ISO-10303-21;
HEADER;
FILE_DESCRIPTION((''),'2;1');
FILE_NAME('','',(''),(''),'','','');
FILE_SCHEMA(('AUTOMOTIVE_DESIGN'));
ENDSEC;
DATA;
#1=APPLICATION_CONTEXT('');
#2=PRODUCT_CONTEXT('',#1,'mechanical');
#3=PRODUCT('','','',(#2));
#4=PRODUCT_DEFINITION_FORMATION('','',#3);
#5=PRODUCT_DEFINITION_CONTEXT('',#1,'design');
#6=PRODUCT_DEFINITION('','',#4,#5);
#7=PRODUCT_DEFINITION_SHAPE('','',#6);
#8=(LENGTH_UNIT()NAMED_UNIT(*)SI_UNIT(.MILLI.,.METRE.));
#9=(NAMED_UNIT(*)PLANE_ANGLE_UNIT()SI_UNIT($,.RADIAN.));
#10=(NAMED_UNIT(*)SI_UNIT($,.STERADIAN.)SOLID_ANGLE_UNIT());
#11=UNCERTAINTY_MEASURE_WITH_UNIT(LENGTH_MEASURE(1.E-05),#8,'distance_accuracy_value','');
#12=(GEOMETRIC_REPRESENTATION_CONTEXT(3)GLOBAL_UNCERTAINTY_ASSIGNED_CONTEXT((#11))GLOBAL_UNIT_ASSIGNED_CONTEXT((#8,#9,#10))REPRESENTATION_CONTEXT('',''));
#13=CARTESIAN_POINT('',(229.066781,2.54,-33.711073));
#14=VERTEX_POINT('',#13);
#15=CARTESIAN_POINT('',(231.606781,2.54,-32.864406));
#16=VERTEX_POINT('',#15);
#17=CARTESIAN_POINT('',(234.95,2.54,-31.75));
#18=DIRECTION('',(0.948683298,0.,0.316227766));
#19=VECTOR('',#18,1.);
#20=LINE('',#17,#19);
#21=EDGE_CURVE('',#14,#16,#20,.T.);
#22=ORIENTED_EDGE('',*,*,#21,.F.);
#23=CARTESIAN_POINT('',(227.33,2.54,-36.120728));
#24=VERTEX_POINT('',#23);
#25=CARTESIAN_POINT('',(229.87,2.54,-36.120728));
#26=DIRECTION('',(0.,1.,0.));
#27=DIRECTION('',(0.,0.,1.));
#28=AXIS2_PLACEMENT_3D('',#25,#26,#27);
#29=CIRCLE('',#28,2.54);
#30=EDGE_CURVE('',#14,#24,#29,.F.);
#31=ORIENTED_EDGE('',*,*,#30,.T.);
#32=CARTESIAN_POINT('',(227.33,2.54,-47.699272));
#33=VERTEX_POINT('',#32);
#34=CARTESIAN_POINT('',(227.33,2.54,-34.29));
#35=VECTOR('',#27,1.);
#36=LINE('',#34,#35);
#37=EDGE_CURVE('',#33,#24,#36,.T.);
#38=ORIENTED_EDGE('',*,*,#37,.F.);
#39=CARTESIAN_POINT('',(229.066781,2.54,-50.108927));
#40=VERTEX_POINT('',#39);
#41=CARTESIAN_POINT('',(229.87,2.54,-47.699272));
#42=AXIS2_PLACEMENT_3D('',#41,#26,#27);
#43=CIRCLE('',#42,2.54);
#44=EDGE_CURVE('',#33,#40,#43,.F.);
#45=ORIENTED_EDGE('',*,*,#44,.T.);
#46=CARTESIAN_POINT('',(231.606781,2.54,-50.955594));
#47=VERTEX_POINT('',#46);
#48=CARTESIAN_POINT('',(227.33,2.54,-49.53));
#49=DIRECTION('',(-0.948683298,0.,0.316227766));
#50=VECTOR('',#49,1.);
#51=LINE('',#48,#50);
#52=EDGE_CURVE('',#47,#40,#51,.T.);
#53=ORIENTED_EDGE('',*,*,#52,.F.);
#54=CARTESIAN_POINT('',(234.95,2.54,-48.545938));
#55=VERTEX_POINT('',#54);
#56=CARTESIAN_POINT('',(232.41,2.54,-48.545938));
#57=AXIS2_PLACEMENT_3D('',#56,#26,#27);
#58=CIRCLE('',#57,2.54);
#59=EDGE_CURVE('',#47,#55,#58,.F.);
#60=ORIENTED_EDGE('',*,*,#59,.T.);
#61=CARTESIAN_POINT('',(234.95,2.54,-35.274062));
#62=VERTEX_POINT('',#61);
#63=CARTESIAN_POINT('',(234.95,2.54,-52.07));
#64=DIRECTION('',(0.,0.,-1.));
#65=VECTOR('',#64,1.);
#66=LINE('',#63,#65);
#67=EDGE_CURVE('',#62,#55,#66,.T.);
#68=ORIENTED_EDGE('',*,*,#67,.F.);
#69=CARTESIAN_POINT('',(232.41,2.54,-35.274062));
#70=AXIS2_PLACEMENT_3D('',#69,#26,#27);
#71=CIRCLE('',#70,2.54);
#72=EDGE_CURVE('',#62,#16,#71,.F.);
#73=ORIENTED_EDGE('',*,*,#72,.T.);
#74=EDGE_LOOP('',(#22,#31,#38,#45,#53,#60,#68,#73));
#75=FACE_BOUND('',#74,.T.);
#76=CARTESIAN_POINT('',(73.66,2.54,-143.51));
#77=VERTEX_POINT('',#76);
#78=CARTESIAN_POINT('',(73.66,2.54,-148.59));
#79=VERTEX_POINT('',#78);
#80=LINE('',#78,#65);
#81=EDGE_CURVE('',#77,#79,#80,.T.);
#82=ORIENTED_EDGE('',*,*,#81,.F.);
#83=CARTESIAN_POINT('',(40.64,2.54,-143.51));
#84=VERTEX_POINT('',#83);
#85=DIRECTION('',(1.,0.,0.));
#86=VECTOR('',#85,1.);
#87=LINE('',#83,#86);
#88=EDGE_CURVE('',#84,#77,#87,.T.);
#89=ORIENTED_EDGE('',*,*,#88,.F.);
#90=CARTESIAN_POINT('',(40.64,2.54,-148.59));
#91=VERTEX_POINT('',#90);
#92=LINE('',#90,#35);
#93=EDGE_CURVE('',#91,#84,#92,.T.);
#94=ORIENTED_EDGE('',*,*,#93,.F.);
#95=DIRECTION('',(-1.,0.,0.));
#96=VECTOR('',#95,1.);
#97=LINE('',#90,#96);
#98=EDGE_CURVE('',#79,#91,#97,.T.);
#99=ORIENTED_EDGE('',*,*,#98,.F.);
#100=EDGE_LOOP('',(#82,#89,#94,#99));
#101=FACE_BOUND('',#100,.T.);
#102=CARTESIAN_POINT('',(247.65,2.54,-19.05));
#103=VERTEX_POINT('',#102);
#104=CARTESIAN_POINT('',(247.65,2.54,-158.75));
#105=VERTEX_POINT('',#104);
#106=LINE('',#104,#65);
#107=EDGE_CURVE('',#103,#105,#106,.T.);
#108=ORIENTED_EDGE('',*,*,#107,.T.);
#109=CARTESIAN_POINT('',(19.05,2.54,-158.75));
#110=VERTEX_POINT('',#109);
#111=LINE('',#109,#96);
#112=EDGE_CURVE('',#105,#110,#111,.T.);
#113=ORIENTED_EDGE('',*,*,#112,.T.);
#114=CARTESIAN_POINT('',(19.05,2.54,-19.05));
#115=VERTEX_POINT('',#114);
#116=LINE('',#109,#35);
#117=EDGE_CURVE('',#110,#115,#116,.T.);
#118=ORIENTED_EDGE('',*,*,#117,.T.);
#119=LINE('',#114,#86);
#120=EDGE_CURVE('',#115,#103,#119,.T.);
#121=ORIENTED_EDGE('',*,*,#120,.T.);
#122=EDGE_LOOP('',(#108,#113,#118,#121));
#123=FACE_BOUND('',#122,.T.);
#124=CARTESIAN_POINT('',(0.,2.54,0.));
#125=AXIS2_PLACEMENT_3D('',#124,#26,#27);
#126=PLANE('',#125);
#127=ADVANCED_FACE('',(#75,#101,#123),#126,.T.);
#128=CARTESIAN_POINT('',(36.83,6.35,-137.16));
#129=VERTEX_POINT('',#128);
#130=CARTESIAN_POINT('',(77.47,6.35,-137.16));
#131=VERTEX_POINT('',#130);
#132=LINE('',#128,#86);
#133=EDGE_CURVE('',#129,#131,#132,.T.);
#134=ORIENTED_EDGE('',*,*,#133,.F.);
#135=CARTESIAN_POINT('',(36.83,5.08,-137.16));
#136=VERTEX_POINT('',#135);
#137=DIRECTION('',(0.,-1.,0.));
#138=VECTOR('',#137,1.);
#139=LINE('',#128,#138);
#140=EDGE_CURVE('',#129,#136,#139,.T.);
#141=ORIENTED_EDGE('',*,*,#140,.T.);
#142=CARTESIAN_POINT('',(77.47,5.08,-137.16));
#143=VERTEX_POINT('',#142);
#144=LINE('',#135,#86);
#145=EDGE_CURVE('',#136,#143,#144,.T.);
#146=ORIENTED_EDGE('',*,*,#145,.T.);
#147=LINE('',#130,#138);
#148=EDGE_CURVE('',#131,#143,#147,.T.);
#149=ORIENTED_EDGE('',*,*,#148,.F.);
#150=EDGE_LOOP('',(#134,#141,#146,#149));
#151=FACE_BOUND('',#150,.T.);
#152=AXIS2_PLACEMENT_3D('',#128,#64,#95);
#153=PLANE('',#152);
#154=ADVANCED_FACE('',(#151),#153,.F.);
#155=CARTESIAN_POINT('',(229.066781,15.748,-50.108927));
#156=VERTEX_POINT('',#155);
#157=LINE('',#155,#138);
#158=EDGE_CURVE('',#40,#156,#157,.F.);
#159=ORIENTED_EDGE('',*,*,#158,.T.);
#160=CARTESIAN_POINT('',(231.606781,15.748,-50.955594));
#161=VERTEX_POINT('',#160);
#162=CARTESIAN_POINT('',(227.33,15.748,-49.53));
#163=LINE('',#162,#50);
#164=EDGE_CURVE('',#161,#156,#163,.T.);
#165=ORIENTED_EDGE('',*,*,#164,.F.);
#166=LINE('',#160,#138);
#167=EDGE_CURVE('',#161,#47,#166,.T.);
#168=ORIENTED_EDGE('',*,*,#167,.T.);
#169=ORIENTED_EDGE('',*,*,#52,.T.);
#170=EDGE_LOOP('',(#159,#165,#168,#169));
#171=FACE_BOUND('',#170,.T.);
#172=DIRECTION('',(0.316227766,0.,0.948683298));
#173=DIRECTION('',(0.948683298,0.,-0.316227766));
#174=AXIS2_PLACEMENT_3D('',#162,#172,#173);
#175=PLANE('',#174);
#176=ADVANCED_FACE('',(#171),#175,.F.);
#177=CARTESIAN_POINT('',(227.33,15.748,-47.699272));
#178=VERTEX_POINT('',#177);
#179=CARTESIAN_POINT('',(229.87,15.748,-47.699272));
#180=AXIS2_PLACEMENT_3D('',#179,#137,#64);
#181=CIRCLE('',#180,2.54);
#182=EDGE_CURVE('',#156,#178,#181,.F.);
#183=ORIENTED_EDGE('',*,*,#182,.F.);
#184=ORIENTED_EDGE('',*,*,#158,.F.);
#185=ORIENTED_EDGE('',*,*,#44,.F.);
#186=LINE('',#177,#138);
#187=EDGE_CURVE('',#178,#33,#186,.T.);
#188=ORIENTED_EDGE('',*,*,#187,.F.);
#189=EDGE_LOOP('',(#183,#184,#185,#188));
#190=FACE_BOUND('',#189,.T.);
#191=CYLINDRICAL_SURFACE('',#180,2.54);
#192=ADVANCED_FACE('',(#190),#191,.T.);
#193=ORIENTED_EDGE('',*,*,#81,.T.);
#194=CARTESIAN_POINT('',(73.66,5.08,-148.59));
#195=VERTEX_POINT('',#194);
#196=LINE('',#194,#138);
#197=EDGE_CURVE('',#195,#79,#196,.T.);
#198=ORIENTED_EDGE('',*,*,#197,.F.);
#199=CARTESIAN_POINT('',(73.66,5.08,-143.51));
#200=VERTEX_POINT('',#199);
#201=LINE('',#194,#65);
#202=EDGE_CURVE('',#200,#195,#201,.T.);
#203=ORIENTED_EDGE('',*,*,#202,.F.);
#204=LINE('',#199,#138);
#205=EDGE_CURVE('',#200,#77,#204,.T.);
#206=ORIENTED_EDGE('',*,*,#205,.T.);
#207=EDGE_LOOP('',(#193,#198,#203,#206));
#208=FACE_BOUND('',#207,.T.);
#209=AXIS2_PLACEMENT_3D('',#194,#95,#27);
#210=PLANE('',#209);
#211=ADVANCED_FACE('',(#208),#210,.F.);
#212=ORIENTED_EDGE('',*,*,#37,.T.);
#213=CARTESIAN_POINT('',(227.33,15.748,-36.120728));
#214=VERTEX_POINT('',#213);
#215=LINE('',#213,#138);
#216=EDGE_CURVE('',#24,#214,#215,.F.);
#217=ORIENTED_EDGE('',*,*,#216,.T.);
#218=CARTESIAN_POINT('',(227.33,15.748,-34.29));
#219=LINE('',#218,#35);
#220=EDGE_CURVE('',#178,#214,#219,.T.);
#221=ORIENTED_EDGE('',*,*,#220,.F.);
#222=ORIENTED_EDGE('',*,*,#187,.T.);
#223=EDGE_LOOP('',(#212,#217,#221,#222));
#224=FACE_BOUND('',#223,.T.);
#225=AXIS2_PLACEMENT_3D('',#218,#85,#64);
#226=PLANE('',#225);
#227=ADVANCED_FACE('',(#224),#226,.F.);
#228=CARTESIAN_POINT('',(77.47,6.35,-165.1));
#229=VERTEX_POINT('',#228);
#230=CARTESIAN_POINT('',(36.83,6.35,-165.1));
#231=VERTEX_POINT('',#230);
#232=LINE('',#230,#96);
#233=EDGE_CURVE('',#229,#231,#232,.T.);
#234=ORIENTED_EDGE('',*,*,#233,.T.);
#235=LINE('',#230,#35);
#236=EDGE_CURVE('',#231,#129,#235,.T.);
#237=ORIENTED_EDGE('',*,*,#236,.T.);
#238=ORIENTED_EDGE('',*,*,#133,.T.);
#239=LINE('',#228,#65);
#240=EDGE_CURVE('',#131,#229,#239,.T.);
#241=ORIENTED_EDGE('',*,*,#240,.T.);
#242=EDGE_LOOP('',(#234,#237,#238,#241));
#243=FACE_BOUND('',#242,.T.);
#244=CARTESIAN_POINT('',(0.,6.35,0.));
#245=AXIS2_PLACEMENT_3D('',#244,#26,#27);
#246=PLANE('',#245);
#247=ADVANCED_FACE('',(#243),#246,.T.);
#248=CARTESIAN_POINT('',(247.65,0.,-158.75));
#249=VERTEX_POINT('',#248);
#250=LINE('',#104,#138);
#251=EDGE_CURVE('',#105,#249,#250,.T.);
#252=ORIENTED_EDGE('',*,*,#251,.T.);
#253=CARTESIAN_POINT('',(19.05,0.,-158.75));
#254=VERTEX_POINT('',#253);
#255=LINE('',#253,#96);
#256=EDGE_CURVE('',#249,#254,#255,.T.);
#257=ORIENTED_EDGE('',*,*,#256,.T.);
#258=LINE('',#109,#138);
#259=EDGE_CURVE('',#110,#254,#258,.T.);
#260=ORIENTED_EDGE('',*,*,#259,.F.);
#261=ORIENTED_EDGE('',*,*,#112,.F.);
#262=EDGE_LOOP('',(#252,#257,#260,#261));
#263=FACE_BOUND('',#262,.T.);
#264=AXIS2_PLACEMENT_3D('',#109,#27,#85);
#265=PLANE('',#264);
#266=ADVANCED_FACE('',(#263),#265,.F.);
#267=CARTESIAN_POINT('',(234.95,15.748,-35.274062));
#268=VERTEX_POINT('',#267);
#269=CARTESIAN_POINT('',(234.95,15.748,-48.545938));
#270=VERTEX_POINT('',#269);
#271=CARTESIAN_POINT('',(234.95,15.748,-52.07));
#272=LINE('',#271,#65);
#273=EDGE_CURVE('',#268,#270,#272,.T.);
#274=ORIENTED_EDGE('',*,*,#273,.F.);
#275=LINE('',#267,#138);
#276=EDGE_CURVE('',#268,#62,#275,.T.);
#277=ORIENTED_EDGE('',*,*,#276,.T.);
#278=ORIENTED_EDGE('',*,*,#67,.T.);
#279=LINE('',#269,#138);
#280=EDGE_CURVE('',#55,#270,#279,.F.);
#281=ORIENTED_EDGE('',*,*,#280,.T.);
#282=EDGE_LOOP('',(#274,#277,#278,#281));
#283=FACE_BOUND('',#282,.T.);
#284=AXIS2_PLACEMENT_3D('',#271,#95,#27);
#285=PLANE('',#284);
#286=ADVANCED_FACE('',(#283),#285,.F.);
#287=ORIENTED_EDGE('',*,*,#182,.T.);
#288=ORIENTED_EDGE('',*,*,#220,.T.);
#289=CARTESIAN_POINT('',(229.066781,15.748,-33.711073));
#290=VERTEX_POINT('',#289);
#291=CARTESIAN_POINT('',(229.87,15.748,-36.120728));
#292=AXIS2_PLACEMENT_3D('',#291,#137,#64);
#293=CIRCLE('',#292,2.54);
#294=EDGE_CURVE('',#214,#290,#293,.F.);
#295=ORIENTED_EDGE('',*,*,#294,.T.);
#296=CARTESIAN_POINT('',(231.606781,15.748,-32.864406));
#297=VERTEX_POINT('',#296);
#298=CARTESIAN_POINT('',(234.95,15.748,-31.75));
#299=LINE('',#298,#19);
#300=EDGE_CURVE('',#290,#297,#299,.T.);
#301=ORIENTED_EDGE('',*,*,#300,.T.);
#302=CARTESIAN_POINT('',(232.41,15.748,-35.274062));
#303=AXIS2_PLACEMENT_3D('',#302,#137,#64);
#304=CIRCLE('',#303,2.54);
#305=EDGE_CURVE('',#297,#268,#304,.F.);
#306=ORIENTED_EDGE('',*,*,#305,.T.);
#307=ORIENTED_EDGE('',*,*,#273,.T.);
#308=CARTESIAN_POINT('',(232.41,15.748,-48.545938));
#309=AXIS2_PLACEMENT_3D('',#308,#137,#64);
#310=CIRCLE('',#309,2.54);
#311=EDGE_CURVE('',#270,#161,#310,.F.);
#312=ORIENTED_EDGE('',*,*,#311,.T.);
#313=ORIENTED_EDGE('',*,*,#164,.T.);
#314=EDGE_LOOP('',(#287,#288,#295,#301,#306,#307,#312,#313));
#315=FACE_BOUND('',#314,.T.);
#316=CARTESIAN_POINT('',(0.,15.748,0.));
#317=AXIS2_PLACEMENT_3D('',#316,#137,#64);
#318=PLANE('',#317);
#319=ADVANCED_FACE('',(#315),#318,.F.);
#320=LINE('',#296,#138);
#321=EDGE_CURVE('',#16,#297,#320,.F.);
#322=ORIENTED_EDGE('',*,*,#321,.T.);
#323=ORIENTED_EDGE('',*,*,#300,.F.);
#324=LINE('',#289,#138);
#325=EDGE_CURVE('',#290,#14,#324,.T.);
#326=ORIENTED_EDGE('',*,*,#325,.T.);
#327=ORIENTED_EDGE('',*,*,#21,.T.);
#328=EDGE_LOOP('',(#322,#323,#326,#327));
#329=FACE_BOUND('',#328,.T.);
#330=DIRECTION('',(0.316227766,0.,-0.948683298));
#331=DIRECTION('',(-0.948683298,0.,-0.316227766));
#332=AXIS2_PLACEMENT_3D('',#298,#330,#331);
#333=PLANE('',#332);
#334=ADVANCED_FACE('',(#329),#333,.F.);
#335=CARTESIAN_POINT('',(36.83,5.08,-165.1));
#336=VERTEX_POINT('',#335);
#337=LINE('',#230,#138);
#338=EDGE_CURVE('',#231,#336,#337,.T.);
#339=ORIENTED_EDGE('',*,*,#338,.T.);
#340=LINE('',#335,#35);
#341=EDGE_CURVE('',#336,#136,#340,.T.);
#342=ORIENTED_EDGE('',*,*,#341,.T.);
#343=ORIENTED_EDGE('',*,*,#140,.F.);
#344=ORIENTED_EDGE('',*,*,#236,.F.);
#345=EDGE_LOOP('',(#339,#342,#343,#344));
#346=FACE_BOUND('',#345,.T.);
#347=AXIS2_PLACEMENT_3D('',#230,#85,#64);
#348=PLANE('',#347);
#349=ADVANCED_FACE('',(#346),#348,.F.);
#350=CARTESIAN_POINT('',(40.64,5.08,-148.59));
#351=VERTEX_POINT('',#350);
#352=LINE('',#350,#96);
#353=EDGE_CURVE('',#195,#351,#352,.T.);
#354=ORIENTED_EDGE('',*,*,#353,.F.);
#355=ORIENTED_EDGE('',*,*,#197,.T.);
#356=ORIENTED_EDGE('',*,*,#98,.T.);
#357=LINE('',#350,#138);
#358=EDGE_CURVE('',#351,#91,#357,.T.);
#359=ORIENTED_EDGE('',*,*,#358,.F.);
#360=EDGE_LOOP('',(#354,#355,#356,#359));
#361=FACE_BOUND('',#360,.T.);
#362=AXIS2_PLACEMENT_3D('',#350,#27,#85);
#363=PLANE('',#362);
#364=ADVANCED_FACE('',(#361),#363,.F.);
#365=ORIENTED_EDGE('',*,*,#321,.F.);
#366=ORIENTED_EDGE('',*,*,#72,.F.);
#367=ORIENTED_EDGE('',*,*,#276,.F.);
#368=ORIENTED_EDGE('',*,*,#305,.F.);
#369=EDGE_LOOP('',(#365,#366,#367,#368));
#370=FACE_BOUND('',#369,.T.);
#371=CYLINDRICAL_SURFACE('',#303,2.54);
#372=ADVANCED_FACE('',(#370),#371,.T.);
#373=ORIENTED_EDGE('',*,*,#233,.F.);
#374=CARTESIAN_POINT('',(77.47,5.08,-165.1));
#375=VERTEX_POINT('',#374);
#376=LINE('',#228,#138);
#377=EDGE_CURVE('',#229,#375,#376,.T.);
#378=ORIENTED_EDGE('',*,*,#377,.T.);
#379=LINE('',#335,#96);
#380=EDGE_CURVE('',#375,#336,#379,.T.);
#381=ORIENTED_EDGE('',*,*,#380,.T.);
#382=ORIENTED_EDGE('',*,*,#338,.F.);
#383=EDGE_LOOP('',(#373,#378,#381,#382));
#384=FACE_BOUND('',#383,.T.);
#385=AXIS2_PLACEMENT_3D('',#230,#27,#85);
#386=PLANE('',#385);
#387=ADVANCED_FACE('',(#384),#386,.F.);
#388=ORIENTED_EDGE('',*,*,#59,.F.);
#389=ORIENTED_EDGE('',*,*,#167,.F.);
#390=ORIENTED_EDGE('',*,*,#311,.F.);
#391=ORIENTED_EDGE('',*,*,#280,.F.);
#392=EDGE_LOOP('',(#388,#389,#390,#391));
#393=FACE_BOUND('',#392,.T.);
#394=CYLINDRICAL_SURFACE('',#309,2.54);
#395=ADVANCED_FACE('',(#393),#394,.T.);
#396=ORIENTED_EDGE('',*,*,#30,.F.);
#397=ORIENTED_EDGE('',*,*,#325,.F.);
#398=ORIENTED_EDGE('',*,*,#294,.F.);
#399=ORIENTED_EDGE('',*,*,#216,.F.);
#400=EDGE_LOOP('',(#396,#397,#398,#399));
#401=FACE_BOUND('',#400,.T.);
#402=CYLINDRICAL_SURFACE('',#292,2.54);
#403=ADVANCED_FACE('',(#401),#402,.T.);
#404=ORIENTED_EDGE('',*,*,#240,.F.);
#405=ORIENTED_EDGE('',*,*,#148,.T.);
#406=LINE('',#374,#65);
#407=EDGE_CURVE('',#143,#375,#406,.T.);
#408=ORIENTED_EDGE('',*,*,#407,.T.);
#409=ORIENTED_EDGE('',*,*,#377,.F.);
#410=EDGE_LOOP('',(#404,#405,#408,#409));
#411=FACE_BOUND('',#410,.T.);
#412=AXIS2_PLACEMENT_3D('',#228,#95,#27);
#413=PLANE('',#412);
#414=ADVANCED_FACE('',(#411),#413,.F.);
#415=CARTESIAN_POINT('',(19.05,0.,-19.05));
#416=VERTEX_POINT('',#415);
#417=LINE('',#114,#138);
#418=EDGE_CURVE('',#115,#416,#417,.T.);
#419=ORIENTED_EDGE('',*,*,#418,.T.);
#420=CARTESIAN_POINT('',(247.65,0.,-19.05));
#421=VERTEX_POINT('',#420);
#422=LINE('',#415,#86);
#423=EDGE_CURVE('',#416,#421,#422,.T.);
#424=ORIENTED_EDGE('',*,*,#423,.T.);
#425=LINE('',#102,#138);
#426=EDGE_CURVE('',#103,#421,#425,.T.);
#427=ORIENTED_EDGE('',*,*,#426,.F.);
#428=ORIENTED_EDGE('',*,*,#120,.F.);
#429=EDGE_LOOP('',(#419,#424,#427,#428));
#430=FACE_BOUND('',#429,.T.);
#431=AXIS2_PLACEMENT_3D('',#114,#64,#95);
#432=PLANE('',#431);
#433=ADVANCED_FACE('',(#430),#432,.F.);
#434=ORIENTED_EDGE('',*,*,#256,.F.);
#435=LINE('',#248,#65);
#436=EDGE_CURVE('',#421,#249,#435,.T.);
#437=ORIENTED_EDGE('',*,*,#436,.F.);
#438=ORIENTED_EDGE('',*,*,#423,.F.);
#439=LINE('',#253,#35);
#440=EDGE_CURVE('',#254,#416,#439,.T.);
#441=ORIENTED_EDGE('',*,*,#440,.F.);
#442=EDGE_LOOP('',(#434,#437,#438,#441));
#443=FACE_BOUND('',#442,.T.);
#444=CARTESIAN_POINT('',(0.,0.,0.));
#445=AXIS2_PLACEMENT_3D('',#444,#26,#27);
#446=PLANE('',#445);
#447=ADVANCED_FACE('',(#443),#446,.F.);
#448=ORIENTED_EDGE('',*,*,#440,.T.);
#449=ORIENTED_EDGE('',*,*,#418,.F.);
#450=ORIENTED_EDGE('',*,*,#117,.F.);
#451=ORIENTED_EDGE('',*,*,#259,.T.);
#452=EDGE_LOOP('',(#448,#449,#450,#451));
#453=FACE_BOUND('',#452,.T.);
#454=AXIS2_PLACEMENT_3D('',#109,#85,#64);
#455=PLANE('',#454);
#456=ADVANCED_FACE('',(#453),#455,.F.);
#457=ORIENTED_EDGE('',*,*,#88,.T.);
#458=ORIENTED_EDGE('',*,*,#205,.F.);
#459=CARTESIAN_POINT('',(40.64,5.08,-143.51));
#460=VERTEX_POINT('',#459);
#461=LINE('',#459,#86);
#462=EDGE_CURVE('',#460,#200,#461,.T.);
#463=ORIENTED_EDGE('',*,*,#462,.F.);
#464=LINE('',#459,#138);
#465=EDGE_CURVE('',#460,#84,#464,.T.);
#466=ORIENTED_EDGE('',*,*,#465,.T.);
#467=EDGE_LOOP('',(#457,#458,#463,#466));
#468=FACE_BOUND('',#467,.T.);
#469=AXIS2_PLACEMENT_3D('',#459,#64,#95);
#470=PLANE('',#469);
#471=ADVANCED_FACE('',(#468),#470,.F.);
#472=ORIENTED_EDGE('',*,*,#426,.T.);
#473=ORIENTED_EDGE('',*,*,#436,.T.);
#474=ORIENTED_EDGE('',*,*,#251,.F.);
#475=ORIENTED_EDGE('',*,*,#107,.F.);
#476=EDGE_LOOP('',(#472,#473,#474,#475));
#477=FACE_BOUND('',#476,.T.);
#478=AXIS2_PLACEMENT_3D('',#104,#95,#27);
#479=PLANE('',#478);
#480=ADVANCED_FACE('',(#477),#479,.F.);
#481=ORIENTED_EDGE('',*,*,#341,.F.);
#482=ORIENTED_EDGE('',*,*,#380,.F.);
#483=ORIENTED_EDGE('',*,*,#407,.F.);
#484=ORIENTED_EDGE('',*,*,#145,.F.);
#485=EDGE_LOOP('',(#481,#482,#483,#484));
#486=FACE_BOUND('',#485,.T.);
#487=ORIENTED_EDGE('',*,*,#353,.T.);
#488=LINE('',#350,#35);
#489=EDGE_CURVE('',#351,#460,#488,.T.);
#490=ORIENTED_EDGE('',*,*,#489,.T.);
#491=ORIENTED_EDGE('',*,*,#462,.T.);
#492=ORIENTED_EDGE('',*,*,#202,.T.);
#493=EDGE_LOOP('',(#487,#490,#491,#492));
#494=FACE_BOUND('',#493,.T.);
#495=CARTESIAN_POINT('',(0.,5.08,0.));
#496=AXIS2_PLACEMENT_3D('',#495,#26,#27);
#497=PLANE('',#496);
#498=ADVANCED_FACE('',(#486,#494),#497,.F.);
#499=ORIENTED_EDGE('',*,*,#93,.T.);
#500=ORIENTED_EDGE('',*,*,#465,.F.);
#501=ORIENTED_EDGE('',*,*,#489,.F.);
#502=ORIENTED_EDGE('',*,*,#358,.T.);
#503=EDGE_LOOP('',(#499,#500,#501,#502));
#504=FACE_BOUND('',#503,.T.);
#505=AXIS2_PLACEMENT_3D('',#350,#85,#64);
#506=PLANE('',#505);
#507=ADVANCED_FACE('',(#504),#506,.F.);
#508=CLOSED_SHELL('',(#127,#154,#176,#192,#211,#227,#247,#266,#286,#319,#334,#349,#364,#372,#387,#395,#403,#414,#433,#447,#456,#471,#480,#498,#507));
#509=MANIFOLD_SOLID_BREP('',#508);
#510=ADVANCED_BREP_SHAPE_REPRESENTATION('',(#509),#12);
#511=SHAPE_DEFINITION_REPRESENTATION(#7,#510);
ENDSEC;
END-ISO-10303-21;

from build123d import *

# Parameters (mm, degrees)
SKETCH4_W           = 228.6
SKETCH4_H           = 139.7
BOSS_EXTRUDE3_DEPTH = 2.54
SKETCH5_W           = 33.02
SKETCH5_H           = 5.08
BOSS_EXTRUDE4_DEPTH = 2.54
SKETCH6_W           = 40.64
SKETCH6_H           = 27.94
BOSS_EXTRUDE5_DEPTH = 1.27
BOSS_EXTRUDE7_DEPTH = 13.208
FILLET1_R           = 2.54


with BuildPart() as part:
    # Sketch4 → Boss-Extrude3 (new body)
    with BuildSketch(Plane(origin=(0, 0, 0), x_dir=(1, 0, 0), z_dir=(0, 1, 0))):
        with Locations((133.35, 88.9)):
            Rectangle(SKETCH4_W, SKETCH4_H)
    extrude(amount=BOSS_EXTRUDE3_DEPTH)

    # Sketch5 → Boss-Extrude4 (add)
    with BuildSketch(Plane(origin=(0, 2.54, 0), x_dir=(1, 0, 0), z_dir=(0, 1, 0))):
        with Locations((57.15, 146.05)):
            Rectangle(SKETCH5_W, SKETCH5_H)
    extrude(amount=BOSS_EXTRUDE4_DEPTH)

    # Sketch6 → Boss-Extrude5 (add)
    with BuildSketch(Plane(origin=(0, 5.08, 0), x_dir=(1, 0, 0), z_dir=(0, 1, 0))):
        with Locations((57.15, 151.13)):
            Rectangle(SKETCH6_W, SKETCH6_H)
    extrude(amount=BOSS_EXTRUDE5_DEPTH)

    # Sketch8 → Boss-Extrude7 (add)
    with BuildSketch(Plane(origin=(0, 2.54, 0), x_dir=(1, 0, 0), z_dir=(0, 1, 0))):
        Polygon((227.33, 49.53), (234.95, 52.07), (234.95, 31.75), (227.33, 34.29), align=None)
    extrude(amount=BOSS_EXTRUDE7_DEPTH)

    # Fillet1
    fillet1_edges = [part.edges().sort_by_distance(p)[0] for p in [
        (227.33, 9.144, -49.53),
        (227.33, 9.144, -34.29),
        (234.95, 9.144, -31.75),
        (234.95, 9.144, -52.07),
    ]]
    fillet(fillet1_edges, radius=FILLET1_R)


solid = part.part
